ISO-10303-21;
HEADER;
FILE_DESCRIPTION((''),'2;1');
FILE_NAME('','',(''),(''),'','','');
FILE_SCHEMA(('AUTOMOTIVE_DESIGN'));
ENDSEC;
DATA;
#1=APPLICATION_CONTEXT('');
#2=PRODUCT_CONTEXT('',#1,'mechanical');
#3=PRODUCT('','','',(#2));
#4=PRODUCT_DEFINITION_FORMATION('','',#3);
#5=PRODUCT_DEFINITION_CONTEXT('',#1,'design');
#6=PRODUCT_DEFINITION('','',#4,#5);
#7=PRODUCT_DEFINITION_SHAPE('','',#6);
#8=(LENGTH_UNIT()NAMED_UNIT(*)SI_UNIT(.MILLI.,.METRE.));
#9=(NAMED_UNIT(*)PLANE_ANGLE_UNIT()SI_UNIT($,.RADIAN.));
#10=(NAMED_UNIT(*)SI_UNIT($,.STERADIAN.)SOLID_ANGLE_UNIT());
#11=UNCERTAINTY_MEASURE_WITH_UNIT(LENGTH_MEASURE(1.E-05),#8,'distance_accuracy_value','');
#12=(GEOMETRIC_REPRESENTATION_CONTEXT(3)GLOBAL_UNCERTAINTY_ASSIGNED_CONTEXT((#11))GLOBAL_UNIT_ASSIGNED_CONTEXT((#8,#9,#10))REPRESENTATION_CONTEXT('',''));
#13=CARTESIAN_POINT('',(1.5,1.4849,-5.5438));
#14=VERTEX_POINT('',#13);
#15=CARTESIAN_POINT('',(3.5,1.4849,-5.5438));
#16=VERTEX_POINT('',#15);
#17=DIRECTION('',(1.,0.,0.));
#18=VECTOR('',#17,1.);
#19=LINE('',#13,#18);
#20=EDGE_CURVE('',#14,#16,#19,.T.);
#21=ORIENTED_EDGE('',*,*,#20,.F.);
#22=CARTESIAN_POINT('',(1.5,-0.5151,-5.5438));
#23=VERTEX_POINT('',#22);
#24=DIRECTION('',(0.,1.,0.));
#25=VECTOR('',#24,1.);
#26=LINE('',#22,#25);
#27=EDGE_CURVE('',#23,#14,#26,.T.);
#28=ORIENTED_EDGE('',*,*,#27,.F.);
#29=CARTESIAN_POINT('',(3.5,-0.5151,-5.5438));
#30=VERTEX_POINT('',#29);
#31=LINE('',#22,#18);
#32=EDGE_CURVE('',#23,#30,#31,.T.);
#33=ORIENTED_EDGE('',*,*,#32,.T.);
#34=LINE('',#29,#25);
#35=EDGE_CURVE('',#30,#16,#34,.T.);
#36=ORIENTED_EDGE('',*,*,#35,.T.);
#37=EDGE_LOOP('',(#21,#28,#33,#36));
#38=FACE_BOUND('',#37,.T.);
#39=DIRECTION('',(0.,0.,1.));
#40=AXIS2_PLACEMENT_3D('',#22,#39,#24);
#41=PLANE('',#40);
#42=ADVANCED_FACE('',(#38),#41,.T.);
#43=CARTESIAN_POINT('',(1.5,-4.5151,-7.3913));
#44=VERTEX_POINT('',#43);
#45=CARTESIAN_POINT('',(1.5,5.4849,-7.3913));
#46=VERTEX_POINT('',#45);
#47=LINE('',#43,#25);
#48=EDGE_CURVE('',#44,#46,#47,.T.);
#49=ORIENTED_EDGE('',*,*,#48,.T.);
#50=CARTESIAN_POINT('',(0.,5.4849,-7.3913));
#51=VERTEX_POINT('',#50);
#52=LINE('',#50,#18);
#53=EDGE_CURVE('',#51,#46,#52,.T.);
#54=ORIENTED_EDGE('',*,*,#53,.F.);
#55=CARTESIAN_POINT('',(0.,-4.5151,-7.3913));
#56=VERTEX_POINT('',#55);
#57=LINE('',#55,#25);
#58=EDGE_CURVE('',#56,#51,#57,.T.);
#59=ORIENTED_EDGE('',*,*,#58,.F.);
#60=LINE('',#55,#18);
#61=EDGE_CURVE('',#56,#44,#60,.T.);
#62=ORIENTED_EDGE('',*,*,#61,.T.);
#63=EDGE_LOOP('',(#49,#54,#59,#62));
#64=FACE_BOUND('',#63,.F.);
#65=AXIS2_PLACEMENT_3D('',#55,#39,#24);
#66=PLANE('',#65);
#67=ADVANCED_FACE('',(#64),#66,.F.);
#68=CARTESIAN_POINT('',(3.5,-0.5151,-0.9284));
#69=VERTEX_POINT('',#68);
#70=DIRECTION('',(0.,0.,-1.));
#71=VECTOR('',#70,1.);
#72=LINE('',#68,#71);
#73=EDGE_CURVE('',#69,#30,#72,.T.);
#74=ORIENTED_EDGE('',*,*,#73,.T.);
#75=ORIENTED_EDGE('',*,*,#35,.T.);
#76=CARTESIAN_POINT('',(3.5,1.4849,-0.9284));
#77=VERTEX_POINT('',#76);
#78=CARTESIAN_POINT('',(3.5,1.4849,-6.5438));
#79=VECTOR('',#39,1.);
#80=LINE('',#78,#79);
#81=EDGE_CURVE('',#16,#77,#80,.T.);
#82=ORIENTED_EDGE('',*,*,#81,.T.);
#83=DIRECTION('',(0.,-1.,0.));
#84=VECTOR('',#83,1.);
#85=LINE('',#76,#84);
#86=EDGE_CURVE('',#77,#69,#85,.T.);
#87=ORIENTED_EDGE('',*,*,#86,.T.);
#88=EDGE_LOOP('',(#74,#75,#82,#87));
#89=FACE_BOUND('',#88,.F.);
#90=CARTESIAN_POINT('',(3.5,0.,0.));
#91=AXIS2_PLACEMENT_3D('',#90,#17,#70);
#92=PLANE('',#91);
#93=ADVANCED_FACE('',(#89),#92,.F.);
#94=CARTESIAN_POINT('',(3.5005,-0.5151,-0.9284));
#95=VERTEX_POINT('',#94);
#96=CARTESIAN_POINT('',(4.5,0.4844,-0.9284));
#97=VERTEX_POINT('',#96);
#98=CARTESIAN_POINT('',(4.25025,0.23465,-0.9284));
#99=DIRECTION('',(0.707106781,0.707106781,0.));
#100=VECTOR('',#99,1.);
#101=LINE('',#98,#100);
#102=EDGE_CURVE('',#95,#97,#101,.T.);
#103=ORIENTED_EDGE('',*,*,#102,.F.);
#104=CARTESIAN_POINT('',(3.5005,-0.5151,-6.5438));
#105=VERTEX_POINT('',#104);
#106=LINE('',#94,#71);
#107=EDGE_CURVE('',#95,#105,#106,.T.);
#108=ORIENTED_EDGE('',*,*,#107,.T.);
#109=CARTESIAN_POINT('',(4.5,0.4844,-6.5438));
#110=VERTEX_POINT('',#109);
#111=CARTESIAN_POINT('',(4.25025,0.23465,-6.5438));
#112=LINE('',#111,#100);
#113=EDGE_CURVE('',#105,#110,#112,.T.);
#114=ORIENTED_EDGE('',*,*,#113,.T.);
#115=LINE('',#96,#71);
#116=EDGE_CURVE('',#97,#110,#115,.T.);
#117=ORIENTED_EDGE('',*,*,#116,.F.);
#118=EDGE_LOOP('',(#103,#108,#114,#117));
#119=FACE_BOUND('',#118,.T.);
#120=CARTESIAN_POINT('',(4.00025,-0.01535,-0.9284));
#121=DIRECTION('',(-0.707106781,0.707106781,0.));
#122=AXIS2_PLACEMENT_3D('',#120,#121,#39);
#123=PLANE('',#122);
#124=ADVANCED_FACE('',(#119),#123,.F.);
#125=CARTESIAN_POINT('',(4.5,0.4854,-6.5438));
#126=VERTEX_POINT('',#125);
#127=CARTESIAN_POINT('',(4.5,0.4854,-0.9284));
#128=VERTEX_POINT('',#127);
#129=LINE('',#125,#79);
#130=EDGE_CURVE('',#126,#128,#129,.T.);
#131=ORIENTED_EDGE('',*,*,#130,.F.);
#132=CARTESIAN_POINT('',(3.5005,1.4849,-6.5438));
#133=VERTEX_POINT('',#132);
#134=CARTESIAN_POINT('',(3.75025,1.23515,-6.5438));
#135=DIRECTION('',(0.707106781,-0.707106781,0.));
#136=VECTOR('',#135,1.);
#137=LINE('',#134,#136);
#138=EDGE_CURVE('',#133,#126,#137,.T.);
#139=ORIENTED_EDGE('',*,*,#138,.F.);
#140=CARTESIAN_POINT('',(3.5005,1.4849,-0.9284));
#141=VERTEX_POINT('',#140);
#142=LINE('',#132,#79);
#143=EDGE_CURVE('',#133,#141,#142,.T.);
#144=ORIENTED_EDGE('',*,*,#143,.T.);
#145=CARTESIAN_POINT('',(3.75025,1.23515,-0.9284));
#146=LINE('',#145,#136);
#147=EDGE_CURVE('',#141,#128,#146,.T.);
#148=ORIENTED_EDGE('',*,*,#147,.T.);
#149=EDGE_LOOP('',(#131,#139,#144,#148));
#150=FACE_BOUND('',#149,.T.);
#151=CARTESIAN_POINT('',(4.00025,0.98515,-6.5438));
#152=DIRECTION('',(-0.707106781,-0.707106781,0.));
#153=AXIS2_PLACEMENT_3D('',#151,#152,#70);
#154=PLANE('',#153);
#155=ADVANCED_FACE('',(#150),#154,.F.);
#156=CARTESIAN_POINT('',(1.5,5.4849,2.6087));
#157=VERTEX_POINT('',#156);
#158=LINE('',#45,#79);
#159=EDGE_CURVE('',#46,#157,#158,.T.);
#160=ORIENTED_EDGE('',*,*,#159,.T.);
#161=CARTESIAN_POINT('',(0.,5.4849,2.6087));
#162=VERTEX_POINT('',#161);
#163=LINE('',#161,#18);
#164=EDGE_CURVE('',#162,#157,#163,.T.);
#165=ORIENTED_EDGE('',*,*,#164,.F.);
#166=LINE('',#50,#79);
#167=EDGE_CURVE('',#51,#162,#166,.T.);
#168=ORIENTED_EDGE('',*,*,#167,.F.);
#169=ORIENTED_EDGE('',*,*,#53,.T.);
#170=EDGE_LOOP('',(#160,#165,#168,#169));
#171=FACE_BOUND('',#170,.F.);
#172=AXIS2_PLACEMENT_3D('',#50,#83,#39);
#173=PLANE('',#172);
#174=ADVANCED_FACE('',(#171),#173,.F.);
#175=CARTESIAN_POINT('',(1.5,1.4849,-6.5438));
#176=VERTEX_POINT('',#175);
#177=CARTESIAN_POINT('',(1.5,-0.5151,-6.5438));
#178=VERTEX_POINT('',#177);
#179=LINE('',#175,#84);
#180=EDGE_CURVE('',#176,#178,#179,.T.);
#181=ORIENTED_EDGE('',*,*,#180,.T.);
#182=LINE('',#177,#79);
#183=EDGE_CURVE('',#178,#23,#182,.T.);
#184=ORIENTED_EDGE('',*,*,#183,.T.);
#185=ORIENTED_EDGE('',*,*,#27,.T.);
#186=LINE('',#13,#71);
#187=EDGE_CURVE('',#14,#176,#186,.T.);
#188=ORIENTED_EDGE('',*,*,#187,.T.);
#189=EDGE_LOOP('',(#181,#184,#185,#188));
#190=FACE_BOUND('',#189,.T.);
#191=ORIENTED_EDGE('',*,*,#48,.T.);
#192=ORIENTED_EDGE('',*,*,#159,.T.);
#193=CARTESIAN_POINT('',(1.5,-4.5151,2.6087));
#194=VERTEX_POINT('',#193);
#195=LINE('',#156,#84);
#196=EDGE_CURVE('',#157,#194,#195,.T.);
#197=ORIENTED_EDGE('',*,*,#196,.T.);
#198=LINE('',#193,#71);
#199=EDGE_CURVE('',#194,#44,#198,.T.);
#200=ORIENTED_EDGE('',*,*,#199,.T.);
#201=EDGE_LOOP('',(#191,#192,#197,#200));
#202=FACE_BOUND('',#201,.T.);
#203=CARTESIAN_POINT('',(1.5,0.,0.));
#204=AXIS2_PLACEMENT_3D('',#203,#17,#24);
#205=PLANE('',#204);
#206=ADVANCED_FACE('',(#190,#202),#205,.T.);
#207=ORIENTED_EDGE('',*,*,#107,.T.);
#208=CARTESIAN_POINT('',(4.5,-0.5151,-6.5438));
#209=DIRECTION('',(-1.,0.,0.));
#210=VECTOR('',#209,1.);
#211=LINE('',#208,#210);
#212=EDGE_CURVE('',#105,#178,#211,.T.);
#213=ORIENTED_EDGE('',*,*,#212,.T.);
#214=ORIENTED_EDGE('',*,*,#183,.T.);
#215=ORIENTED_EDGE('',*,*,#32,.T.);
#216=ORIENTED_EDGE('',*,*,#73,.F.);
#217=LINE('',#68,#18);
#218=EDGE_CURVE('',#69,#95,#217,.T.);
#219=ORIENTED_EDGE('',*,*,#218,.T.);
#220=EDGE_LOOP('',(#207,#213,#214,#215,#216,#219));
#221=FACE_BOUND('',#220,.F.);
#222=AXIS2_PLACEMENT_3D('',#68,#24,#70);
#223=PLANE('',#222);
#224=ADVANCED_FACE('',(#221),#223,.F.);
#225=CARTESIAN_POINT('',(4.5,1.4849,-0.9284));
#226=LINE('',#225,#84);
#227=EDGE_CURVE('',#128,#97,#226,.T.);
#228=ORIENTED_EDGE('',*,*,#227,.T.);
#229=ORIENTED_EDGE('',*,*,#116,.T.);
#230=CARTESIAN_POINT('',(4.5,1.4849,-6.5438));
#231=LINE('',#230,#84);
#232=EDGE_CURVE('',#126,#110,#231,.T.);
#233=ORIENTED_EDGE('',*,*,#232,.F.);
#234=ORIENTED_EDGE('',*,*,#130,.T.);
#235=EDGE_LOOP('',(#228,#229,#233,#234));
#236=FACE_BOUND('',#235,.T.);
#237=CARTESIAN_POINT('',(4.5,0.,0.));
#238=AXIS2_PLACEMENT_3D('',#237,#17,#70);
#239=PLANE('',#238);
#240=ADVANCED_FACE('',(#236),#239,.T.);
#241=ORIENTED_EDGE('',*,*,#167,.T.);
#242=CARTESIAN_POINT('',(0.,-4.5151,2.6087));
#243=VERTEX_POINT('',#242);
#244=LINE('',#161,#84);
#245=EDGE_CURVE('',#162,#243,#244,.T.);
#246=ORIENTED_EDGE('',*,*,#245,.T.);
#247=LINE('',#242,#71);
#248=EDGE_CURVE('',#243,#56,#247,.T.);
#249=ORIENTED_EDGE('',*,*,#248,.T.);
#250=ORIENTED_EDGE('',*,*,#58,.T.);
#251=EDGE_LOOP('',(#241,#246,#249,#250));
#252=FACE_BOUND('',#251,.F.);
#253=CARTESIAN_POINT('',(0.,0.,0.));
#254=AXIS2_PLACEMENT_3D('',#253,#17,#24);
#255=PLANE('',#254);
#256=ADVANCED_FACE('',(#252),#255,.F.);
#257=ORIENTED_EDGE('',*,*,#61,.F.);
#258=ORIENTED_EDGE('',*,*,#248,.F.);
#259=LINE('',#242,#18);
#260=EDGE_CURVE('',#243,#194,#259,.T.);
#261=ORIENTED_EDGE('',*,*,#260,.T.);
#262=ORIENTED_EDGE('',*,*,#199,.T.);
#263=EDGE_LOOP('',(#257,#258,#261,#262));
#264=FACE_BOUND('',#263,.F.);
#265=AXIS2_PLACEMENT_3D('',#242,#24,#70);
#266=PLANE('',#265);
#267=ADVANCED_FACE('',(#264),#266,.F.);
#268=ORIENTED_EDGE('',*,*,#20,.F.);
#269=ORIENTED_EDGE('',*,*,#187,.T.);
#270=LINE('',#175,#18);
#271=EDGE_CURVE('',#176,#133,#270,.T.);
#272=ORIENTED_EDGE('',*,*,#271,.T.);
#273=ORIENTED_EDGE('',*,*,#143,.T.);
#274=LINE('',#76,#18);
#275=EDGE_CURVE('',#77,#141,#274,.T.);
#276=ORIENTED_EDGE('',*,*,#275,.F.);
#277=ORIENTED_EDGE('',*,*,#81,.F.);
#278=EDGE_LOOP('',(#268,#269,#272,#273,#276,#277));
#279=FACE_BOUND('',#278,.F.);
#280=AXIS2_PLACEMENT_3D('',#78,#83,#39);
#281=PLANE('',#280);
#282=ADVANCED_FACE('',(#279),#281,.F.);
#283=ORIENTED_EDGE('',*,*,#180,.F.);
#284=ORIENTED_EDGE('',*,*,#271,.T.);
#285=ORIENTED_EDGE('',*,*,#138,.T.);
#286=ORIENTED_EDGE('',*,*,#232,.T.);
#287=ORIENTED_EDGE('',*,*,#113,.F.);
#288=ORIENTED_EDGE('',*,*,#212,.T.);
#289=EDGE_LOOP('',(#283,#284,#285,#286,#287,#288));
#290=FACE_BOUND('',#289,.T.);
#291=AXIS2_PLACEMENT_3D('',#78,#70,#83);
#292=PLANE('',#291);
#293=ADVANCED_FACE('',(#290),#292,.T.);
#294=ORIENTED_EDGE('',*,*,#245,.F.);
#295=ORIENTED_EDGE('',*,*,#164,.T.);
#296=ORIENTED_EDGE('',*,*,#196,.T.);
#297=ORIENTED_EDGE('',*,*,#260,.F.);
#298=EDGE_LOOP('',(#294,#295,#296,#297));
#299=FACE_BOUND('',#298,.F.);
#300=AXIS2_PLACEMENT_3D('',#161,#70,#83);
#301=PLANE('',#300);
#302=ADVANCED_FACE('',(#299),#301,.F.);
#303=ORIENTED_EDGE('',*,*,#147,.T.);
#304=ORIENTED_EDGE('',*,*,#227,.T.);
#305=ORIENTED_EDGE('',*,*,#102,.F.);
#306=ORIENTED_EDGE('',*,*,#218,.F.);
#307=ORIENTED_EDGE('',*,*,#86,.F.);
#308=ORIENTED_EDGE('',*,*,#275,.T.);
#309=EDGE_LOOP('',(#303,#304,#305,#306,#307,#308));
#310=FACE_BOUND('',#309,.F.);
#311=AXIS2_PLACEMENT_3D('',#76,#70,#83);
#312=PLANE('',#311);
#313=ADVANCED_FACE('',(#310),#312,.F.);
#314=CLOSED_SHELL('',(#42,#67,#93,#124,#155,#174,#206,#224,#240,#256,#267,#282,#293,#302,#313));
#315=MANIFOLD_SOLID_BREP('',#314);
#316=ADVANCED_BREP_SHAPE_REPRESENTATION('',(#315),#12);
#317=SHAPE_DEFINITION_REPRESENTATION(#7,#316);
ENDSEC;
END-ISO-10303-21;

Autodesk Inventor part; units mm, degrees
ref_plane "YZ Plane" through (0, 0, 0) normal (1, 0, 0) x (0, 1, 0)
ref_plane "XZ Plane" through (0, 0, 0) normal (0, 1, 0) x (-1, 0, 0)
ref_plane "XY Plane" through (0, 0, 0) normal (0, 0, 1) x (1, 0, 0)
sketch "Esquisse1" plane through (0, 0, 0) normal (1, 0, 0) x (0, 1, 0)
  line L0 (5.4849, 2.6087) -> (-4.5151, 2.6087)
  line L1 (-4.5151, 2.6087) -> (-4.5151, -7.3913)
  line L2 (-4.5151, -7.3913) -> (5.4849, -7.3913)
  line L3 (5.4849, -7.3913) -> (5.4849, 2.6087)
  point P0 (0, 0)
  dimension "d0" = 10
  dimension "d1" = 10
extrude "Extrusion1" add sketch "Esquisse1" along normal blind 1.5
sketch "Esquisse2" plane through (1.5, 0, 0) normal (1, 0, 0) x (0, 0, -1)
  line L0 (5.5438, 1.4849) -> (6.5438, 1.4849)
  line L1 (6.5438, 1.4849) -> (6.5438, -0.5151)
  line L2 (6.5438, -0.5151) -> (5.5438, -0.5151)
  line L3 (5.5438, -0.5151) -> (5.5438, 1.4849)
  line L4 (7.3913, 5.4849) -> (-2.6087, 5.4849) projected
  point P0 (0, 0)
  dimension "d4" = 1
  dimension "d5" = 2
  dimension "d6" = 4
extrude "Extrusion2" add sketch "Esquisse2" along normal blind 2
sketch "Esquisse3" plane through (3.5, 0, 0) normal (1, 0, 0) x (0, 0, -1)
  line L0 (6.5438, 1.4849) -> (6.5438, -0.5151) projected
  line L1 (6.5438, 1.4849) -> (0.9284, 1.4849)
  line L2 (0.9284, 1.4849) -> (0.9284, -0.5151)
  line L3 (0.9284, -0.5151) -> (6.5438, -0.5151)
  line L4 (6.5438, -0.5151) -> (6.5438, 1.4849)
  point P0 (0, 0)
extrude "Extrusion3" add sketch "Esquisse3" along normal blind 1
chamfer "Chanfrein1" distance 1 angle 45 2 edges at (4.5, 1.4849, -3.7361) (4.5, -0.5151, -3.7361)
properties part number "crochet"
